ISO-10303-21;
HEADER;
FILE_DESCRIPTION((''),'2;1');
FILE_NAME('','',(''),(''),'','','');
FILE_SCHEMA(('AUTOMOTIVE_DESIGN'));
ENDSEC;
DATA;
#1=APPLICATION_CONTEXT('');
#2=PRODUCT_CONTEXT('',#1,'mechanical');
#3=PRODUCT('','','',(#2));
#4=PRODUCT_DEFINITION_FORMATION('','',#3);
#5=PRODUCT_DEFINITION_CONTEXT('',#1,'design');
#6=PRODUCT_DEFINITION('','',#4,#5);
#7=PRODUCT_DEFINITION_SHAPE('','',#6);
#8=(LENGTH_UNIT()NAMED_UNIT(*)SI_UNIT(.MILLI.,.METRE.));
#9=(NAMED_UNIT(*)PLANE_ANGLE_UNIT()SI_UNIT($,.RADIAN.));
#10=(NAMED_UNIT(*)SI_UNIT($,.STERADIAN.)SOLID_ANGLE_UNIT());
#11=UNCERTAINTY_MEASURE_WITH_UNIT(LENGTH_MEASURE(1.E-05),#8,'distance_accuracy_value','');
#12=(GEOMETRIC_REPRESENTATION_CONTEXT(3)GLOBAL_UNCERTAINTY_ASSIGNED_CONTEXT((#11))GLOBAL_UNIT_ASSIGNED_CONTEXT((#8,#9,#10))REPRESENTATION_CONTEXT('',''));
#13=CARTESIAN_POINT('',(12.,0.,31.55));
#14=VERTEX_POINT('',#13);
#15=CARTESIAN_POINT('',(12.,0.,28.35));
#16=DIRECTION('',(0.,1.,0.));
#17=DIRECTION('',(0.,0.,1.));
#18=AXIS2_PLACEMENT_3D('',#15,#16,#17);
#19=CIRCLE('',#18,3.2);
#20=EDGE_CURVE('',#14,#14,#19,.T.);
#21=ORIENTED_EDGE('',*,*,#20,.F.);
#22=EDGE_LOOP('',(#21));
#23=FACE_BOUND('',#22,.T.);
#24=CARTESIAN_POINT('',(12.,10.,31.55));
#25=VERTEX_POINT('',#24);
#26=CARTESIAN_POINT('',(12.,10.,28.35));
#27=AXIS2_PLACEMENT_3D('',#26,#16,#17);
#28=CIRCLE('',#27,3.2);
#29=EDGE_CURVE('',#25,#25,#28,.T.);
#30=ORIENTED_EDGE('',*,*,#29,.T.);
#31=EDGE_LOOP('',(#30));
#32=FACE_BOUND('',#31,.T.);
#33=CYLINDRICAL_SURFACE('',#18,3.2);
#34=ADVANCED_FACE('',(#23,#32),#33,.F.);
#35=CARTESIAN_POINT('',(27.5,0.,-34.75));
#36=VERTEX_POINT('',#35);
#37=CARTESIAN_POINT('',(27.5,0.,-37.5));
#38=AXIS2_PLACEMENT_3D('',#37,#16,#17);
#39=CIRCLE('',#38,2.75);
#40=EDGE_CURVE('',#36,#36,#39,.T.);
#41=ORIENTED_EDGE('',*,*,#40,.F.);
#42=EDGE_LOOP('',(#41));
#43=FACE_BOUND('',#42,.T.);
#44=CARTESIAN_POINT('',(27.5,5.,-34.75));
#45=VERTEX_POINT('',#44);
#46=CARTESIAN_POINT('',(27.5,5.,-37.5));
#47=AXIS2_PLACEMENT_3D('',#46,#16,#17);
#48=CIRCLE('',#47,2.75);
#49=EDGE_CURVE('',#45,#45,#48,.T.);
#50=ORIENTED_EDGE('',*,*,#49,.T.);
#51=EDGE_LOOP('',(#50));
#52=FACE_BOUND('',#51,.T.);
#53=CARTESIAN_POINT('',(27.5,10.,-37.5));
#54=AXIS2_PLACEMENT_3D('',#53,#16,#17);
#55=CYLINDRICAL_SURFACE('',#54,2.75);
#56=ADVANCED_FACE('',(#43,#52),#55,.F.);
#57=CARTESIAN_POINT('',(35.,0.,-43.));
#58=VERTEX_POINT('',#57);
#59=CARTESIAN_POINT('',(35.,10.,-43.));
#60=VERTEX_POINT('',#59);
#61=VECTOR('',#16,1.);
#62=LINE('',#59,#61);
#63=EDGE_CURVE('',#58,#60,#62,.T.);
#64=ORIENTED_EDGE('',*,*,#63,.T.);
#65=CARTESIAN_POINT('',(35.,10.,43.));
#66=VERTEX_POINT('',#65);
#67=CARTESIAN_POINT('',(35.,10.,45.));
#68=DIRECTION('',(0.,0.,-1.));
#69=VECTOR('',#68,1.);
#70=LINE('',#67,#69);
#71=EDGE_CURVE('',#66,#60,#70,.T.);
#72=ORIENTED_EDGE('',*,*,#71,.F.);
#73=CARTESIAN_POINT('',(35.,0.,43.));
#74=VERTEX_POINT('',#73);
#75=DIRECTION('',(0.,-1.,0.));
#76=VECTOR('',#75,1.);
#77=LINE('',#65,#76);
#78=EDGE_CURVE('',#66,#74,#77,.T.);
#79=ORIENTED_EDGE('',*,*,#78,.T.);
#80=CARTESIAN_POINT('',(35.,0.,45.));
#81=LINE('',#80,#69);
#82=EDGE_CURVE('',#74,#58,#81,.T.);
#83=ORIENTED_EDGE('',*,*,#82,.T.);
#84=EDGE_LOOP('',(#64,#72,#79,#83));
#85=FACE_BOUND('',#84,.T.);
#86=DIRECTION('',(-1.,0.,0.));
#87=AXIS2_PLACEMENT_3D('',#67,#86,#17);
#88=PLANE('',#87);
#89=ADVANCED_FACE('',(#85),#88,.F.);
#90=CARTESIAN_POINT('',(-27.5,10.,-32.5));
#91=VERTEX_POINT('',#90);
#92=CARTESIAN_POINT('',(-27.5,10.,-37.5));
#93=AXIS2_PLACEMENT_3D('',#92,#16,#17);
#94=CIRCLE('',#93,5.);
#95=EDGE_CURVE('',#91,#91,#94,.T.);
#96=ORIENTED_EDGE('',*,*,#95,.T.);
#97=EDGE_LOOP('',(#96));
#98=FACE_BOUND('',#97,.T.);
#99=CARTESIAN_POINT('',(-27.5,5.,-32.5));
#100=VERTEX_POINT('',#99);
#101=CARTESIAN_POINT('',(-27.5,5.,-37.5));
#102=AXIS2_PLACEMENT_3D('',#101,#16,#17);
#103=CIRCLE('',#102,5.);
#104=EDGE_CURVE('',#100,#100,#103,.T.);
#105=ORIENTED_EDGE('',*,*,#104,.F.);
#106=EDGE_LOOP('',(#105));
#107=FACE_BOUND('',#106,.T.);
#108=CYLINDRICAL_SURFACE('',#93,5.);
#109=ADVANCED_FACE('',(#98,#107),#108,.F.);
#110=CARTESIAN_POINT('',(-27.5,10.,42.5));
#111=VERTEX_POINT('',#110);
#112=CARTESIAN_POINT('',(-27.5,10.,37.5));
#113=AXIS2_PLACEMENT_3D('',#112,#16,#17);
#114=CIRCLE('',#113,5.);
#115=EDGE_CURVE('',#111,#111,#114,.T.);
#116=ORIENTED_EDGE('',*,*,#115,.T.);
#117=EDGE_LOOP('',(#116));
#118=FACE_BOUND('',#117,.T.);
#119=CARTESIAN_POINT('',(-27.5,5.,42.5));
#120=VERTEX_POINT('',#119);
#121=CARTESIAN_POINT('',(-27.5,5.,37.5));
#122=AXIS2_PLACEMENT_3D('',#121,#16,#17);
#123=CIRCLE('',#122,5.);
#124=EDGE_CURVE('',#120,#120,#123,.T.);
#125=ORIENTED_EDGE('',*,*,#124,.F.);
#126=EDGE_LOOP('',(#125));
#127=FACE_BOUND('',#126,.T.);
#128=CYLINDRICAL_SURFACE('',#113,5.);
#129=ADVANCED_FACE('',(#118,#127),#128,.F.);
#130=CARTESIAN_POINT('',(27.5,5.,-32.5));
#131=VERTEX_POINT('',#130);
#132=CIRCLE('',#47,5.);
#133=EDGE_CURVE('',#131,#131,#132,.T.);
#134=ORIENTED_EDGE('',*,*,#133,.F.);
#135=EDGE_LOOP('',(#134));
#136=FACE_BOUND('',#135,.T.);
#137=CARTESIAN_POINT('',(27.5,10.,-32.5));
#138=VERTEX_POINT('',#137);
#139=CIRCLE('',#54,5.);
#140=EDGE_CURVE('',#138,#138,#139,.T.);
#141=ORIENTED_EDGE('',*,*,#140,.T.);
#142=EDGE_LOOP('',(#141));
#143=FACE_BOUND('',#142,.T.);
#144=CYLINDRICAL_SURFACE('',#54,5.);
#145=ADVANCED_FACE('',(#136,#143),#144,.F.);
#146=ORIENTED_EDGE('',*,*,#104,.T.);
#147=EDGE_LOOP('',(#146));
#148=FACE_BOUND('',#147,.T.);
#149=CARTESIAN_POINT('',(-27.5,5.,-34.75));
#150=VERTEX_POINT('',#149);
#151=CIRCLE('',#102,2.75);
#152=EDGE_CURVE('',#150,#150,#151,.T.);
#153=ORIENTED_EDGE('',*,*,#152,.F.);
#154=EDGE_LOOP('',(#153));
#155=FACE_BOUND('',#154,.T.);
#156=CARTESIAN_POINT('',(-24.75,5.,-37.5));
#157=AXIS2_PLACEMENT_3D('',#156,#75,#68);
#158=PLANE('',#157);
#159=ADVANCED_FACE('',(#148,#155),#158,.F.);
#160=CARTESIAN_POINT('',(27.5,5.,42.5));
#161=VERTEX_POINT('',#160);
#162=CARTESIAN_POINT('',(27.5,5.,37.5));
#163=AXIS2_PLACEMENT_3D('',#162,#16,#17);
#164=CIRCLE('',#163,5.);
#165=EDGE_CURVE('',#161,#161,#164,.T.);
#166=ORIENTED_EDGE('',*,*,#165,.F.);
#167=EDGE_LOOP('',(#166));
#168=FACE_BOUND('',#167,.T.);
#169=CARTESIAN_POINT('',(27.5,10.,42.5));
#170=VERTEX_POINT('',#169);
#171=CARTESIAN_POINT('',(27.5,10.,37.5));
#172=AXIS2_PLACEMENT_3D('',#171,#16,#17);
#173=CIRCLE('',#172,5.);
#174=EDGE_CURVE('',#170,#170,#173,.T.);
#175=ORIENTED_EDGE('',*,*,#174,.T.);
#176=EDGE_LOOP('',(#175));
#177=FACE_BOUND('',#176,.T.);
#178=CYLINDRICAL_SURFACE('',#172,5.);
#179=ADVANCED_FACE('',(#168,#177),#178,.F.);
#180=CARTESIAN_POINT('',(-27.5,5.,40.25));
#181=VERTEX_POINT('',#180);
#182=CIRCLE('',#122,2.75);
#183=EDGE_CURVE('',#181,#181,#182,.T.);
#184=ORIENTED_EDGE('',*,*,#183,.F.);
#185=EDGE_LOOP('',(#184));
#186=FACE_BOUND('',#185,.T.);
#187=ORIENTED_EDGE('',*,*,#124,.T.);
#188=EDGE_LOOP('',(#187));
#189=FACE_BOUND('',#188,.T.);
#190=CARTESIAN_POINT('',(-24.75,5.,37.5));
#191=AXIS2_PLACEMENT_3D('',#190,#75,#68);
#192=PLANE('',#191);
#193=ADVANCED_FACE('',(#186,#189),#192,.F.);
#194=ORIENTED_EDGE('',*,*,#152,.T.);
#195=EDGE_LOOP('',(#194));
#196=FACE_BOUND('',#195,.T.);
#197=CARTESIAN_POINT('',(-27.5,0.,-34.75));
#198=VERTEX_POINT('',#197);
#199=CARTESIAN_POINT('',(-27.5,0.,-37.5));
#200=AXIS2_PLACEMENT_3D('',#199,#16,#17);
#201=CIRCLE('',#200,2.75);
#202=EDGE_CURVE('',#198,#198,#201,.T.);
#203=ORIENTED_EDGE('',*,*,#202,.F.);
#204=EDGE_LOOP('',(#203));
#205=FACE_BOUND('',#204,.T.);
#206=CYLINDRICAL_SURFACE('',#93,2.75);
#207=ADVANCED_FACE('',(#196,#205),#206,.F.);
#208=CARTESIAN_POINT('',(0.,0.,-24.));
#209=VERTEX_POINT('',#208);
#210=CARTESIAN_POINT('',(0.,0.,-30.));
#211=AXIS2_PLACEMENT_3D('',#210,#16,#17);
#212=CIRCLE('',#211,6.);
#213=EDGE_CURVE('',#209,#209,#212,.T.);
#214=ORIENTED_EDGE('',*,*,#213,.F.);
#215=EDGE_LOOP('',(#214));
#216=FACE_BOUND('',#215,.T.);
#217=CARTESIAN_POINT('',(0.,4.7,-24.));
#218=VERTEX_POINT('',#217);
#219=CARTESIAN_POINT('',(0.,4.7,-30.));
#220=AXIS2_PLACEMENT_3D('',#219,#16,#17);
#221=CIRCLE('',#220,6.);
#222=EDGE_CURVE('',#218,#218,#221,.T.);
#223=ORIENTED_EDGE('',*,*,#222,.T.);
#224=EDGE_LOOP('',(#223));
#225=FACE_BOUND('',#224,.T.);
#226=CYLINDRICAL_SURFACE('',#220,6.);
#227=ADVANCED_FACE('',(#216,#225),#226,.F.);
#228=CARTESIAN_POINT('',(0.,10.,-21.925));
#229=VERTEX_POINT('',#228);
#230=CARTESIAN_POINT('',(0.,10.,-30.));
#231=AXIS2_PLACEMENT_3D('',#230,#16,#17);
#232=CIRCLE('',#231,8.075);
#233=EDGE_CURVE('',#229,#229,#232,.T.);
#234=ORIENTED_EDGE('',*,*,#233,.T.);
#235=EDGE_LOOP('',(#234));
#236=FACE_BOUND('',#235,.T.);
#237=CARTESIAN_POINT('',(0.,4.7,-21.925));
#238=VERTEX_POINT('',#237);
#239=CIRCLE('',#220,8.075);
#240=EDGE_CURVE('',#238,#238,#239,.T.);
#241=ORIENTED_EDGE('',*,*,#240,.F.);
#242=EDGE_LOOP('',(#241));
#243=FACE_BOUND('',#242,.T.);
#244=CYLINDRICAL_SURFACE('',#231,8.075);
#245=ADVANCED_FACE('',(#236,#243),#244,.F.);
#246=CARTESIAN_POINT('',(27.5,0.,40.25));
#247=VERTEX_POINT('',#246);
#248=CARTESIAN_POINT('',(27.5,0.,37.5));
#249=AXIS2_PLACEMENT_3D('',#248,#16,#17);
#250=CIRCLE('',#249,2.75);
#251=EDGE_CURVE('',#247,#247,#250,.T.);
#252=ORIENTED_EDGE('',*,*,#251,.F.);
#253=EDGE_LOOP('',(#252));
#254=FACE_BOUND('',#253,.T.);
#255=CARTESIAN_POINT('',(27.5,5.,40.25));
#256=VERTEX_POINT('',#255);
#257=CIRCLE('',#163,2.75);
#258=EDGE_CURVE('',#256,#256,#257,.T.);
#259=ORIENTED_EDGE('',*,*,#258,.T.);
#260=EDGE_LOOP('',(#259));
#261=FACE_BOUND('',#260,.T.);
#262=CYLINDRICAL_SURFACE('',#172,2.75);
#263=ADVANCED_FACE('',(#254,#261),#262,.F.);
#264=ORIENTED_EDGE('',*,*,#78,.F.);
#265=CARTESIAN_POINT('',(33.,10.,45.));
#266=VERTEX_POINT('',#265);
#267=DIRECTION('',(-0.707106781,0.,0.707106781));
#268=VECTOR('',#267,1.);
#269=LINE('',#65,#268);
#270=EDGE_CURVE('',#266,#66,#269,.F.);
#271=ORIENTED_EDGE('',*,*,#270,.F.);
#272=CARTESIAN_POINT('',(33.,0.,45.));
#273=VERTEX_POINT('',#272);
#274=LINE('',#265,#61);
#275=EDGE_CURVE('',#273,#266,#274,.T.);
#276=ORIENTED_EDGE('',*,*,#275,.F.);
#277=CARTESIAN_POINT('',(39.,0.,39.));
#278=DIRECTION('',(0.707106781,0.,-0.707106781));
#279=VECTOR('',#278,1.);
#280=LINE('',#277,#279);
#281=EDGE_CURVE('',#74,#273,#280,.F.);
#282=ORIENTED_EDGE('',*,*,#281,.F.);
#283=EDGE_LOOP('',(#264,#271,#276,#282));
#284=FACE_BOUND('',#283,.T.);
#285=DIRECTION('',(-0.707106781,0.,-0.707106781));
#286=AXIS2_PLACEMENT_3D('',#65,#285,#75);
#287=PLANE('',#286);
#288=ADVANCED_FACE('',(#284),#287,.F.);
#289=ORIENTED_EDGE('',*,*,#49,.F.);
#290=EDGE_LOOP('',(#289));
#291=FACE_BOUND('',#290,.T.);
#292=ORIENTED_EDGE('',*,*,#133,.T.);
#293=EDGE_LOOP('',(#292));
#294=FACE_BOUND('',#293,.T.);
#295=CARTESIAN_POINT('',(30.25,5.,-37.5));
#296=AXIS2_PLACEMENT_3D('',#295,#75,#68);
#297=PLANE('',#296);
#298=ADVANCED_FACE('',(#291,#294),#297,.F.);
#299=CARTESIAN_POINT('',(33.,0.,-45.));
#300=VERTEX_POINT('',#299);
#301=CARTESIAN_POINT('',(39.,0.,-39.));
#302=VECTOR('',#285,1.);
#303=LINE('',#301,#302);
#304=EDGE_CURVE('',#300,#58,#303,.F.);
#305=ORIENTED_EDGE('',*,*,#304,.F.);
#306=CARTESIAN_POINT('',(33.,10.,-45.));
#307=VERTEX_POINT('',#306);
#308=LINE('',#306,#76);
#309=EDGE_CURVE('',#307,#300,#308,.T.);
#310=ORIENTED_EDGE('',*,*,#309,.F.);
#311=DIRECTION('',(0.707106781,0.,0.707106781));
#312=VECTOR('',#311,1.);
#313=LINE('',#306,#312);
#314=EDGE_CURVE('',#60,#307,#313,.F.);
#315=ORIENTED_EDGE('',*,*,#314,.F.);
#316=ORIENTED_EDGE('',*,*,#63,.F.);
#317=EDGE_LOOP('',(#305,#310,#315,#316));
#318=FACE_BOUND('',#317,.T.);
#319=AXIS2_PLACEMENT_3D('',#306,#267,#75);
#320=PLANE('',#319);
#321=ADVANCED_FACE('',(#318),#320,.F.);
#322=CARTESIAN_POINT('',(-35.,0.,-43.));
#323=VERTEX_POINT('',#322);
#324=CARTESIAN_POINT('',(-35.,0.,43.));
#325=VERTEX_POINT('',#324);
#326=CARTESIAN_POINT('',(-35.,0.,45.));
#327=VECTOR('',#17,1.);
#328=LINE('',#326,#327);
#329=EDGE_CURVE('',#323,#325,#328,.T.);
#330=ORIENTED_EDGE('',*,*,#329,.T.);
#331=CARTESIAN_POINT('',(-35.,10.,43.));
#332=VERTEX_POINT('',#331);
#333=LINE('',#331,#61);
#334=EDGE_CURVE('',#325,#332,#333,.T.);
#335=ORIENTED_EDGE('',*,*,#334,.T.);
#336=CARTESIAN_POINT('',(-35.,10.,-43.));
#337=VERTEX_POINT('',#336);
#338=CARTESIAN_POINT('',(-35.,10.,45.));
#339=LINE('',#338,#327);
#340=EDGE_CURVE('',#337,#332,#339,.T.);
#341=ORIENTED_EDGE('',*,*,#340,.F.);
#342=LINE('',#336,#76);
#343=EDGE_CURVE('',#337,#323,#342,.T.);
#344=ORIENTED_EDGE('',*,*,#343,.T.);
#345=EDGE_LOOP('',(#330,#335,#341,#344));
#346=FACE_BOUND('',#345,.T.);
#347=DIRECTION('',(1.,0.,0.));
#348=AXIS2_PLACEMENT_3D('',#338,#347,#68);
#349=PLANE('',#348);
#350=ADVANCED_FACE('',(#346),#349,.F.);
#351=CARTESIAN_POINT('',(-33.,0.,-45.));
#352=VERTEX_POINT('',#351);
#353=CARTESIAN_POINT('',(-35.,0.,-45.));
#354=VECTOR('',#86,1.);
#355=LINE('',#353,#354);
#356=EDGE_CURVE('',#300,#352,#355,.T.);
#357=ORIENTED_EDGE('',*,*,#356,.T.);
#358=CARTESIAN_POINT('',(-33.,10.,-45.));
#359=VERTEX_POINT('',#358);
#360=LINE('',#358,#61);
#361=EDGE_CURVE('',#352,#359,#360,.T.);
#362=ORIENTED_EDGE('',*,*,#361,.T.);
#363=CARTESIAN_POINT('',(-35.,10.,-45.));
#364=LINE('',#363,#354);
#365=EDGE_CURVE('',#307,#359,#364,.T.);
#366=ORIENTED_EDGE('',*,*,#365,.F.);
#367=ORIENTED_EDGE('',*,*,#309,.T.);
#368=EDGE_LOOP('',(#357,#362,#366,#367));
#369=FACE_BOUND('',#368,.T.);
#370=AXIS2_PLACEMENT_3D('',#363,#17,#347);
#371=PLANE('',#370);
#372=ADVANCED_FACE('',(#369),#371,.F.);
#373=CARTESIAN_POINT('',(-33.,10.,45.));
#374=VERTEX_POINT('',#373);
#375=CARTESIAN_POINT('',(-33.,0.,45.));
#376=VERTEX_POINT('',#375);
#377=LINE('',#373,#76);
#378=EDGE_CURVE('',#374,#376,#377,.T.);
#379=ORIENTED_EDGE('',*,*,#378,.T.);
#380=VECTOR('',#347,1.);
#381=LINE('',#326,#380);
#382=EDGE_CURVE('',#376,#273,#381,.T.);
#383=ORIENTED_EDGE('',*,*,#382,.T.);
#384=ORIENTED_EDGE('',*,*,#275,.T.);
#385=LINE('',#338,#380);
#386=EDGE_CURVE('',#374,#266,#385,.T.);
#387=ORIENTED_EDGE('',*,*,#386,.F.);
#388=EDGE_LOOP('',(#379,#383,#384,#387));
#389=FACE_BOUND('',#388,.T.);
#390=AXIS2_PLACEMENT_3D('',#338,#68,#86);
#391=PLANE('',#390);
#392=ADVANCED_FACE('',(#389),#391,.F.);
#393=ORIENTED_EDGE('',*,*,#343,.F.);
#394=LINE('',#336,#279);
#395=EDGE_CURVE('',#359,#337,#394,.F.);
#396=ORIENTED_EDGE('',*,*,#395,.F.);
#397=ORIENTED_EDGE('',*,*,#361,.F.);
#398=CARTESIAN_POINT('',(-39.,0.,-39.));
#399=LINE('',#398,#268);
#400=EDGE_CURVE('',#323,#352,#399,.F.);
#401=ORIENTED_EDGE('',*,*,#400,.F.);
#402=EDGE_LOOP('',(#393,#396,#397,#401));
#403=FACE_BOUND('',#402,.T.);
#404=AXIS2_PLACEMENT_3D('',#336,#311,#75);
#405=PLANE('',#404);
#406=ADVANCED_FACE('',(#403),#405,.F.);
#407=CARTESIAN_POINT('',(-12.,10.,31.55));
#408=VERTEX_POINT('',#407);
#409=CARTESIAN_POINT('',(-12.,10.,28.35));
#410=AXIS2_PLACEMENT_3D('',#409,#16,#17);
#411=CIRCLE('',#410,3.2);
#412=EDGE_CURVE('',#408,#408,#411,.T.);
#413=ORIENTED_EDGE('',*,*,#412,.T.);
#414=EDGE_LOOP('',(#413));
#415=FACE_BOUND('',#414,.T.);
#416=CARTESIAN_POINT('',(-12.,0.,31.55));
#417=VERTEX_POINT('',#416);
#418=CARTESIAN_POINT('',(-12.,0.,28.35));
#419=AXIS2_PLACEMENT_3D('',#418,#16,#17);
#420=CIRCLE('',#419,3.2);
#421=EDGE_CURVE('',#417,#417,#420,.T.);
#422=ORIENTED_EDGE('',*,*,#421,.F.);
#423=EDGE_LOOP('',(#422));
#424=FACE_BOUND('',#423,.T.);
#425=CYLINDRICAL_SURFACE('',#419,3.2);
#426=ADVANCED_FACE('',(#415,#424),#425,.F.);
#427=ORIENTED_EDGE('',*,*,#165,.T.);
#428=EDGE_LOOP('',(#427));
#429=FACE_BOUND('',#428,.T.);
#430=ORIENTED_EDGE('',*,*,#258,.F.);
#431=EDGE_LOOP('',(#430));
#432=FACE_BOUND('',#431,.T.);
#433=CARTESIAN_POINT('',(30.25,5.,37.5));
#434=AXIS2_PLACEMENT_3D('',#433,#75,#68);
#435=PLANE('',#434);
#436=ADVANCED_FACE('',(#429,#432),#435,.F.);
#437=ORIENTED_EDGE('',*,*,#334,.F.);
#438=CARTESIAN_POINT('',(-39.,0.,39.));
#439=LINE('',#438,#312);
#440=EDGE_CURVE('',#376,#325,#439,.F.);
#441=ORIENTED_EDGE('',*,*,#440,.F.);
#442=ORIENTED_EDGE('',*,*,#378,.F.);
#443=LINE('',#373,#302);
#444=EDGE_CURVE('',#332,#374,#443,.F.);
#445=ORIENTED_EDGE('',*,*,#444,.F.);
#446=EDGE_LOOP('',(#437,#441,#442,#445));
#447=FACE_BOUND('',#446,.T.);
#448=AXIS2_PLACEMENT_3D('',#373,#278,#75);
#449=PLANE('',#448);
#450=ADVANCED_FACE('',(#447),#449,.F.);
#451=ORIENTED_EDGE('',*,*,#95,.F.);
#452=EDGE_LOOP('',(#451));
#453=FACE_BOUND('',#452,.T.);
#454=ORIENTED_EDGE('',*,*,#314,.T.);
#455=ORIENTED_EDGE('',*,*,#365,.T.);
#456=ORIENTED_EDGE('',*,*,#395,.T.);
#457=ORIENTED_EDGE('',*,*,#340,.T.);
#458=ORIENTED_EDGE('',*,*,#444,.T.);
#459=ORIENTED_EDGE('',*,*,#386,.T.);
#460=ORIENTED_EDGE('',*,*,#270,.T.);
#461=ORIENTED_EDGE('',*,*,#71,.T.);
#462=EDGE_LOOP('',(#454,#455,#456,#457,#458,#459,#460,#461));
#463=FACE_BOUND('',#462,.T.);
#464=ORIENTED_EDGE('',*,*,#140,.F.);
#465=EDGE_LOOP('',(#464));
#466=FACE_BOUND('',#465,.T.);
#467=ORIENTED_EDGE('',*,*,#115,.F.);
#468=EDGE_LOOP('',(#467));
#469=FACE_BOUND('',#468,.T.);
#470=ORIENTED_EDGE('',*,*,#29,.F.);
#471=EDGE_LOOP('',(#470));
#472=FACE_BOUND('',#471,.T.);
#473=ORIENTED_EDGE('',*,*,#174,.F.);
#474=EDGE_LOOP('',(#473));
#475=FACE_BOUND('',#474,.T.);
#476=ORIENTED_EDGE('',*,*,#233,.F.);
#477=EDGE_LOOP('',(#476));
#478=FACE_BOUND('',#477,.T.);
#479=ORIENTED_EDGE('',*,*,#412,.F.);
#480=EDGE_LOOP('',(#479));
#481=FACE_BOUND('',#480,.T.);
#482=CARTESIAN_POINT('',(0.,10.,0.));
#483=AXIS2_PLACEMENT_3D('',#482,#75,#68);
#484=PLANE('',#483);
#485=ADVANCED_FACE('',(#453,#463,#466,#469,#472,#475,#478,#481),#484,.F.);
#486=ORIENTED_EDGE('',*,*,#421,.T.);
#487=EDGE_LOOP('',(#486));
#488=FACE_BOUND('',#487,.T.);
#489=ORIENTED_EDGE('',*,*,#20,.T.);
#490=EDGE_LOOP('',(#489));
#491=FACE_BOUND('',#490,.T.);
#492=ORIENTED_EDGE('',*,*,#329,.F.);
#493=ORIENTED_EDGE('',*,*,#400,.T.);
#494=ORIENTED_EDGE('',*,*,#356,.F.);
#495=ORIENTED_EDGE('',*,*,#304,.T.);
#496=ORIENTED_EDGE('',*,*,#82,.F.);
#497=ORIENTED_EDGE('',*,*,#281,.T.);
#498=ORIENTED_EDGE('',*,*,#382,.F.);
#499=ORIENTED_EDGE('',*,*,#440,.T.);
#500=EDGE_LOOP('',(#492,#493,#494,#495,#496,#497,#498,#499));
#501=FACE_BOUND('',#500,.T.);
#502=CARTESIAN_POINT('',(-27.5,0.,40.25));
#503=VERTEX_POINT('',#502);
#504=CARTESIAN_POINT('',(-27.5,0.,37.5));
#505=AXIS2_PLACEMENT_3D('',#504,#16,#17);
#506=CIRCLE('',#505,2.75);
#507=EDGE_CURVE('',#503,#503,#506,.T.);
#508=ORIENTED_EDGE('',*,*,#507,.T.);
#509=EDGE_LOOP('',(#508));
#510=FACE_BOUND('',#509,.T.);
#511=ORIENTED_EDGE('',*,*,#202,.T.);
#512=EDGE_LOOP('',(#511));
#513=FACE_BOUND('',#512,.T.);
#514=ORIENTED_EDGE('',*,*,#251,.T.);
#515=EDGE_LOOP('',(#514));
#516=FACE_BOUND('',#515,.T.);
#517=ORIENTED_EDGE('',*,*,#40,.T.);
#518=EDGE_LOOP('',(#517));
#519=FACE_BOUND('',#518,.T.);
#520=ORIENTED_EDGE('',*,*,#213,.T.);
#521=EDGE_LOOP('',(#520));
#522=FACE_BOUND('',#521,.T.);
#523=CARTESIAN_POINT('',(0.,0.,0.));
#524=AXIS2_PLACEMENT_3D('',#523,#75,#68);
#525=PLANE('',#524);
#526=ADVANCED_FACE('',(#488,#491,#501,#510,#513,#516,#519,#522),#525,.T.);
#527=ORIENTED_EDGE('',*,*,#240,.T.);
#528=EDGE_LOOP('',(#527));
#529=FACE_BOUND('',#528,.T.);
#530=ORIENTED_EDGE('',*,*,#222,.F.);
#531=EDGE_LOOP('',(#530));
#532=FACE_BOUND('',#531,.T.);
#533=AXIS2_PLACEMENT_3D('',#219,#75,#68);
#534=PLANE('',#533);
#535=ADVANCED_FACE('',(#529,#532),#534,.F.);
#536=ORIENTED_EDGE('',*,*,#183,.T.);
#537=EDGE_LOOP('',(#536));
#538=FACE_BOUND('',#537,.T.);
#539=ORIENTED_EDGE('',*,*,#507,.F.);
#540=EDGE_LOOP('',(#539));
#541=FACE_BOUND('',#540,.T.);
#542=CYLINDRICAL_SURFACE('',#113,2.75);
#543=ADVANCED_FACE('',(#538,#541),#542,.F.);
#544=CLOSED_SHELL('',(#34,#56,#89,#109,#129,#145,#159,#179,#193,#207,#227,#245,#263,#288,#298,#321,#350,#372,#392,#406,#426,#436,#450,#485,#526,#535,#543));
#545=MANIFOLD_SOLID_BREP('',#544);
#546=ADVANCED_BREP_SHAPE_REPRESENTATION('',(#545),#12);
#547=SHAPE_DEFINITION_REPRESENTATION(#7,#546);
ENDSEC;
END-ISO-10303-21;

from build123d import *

# Parameters (mm, degrees)
SKETCH1_W                      = 70
SKETCH1_H                      = 90
BOSS_EXTRUDE1_DEPTH            = 10
CBORE_FOR_M5_SHCS1_D           = 5.5
CBORE_FOR_M5_SHCS1_CBORE_D     = 10
CBORE_FOR_M5_SHCS1_CBORE_DEPTH = 5
F_1_0MM_DOWEL_HOLE1_D          = 16.15
F_1_0MM_DOWEL_HOLE1_DEPTH      = 5.3
F_1_0MM_DOWEL_HOLE3_D          = 12
SKETCH14_R                     = 3.2
CUT_EXTRUDE1_DEPTH             = 58.879184514
CHAMFER1_SIZE                  = 2


with BuildPart() as part:
    # Sketch1 → Boss-Extrude1 (new body)
    with BuildSketch(Plane(origin=(0, 0, 0), x_dir=(1, 0, 0), z_dir=(0, 1, 0))):
        Rectangle(SKETCH1_W, SKETCH1_H)
    extrude(amount=BOSS_EXTRUDE1_DEPTH)

    # CBORE for M5 SHCS1 (through all)
    with Locations(Plane(origin=(0, 10, 0), x_dir=(1, 0, 0), z_dir=(0, 1, 0))):
        with Locations((-27.5, -37.5), (-27.5, 37.5), (27.5, 37.5), (27.5, -37.5)):
            CounterBoreHole(CBORE_FOR_M5_SHCS1_D / 2, CBORE_FOR_M5_SHCS1_CBORE_D / 2, CBORE_FOR_M5_SHCS1_CBORE_DEPTH)

    # Ø1.0mm Dowel Hole1
    with Locations(Plane(origin=(0, 10, 0), x_dir=(1, 0, 0), z_dir=(0, 1, 0))):
        with Locations((0, 30)):
            Hole(F_1_0MM_DOWEL_HOLE1_D / 2, depth=F_1_0MM_DOWEL_HOLE1_DEPTH)

    # Ø1.0mm Dowel Hole3 (through all)
    with Locations(Plane(origin=(0, 4.7, 0), x_dir=(1, 0, 0), z_dir=(0, 1, 0))):
        with Locations((0, 30)):
            Hole(F_1_0MM_DOWEL_HOLE3_D / 2)

    # Sketch14 → Cut-Extrude1 (cut, through all)
    with BuildSketch(Plane(origin=(0, 10, 0), x_dir=(1, 0, 0), z_dir=(0, 1, 0))):
        with Locations(Location((12, -28.35, 0), (0, 0, 270))):
            Circle(SKETCH14_R)
        with Locations(Location((-12, -28.35, 0), (0, 0, 270))):
            Circle(SKETCH14_R)
    extrude(amount=-CUT_EXTRUDE1_DEPTH, mode=Mode.SUBTRACT)

    # Chamfer1
    chamfer1_edges = [part.edges().sort_by_distance(p)[0] for p in [
        (35, 5, 45),
        (-35, 5, 45),
        (-35, 5, -45),
        (35, 5, -45),
    ]]
    chamfer(chamfer1_edges, length=CHAMFER1_SIZE)


solid = part.part
